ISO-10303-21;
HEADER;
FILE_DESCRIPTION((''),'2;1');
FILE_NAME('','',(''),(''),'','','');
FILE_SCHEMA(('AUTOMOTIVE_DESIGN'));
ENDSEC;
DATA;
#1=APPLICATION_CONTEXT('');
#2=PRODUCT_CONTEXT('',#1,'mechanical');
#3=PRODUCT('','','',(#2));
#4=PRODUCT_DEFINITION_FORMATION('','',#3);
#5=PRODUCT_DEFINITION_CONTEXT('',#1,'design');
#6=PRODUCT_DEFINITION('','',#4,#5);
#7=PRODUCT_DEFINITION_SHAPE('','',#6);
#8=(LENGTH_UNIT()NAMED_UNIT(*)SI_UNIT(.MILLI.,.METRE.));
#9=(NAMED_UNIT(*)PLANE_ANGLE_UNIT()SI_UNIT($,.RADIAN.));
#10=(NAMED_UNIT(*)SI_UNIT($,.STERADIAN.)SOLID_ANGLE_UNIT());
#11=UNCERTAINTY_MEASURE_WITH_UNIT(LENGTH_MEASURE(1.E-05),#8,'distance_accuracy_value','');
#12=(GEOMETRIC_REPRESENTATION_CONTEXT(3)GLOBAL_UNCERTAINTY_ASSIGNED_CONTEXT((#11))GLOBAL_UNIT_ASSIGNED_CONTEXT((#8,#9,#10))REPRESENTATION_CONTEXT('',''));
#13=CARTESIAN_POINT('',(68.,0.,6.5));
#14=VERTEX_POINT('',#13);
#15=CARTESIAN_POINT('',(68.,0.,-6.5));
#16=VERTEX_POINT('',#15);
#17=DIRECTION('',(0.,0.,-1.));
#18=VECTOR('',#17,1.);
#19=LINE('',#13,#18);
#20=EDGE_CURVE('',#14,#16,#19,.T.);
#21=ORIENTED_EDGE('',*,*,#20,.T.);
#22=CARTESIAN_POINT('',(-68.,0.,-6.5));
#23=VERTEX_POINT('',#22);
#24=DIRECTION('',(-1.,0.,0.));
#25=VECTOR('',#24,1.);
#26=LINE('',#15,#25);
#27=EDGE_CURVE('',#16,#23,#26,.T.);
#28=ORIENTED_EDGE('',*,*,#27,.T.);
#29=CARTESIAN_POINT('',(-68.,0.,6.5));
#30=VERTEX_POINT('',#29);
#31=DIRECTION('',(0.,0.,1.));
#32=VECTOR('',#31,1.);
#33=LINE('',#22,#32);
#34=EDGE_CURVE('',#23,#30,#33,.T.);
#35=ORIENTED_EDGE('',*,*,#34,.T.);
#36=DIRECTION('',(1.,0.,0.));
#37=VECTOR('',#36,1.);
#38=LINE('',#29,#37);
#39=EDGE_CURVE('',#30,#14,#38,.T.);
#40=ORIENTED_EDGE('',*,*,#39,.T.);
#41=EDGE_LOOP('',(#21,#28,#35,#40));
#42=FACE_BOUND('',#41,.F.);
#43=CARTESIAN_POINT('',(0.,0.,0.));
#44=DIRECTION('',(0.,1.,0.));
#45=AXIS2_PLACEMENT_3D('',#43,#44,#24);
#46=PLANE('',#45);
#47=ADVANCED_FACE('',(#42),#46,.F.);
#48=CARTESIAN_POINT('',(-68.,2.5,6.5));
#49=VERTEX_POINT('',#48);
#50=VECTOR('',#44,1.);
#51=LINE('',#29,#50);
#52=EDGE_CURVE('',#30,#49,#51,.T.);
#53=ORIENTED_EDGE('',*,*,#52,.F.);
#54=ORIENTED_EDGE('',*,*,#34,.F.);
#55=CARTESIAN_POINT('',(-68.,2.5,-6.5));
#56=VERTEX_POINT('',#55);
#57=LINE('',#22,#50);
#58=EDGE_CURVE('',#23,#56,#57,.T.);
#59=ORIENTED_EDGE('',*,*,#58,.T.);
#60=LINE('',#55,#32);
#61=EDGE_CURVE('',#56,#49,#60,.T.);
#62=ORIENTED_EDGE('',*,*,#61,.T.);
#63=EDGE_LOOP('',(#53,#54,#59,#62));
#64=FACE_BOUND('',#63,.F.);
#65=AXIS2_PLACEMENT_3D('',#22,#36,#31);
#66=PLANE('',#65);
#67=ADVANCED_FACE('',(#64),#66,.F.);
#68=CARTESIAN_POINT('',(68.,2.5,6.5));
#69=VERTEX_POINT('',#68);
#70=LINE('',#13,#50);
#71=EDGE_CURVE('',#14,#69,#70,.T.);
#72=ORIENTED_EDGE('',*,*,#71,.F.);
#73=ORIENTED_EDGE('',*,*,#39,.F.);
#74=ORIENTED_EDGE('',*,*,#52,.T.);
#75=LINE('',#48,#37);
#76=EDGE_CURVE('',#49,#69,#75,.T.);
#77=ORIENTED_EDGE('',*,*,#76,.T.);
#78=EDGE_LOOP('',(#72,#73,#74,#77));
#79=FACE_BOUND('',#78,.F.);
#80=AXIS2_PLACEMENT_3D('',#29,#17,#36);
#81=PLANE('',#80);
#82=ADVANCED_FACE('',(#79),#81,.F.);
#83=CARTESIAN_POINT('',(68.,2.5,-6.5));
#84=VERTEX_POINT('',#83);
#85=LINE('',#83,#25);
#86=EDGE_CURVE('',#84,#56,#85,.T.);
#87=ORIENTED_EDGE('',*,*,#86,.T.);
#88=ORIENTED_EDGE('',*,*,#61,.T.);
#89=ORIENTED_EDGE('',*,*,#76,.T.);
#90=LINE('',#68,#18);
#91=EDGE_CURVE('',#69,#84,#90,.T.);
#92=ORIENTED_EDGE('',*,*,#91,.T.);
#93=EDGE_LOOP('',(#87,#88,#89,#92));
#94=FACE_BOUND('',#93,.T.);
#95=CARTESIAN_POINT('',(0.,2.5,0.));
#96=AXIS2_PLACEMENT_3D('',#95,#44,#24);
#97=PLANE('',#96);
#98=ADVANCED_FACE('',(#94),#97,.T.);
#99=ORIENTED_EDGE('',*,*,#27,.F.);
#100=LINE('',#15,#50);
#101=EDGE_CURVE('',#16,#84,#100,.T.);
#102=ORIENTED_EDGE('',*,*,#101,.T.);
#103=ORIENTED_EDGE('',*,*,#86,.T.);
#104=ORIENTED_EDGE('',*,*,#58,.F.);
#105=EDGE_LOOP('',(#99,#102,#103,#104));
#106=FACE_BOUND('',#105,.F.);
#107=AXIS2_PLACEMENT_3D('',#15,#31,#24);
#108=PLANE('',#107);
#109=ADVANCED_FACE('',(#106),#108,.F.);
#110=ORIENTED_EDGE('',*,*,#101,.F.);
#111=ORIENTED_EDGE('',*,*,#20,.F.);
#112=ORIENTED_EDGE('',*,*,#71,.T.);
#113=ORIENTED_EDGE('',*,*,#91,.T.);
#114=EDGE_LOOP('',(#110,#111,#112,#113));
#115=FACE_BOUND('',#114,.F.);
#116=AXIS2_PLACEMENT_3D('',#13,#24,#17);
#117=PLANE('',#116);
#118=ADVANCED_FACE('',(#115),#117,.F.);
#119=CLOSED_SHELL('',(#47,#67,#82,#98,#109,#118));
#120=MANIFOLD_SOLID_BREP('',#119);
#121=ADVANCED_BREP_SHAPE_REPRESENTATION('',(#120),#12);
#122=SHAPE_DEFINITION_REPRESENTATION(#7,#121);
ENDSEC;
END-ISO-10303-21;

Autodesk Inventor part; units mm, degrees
ref_plane "YZ Plane" through (0, 0, 0) normal (1, 0, 0) x (0, 1, 0)
ref_plane "XZ Plane" through (0, 0, 0) normal (0, 1, 0) x (-1, 0, 0)
ref_plane "XY Plane" through (0, 0, 0) normal (0, 0, 1) x (1, 0, 0)
sketch "スケッチ1" plane through (0, 0, 0) normal (0, 1, 0) x (-1, 0, 0)
  line L0 (-68, -6.5) -> (68, -6.5)
  line L1 (68, -6.5) -> (68, 6.5)
  line L2 (68, 6.5) -> (-68, 6.5)
  line L3 (-68, 6.5) -> (-68, -6.5)
  line L4 (-68, -6.5) -> (68, 6.5) construction
  line L5 (68, -6.5) -> (-68, 6.5) construction
  point P0 (0, 0)
  dimension "d0" = 136
  dimension "d1" = 13
extrude "押し出し1" add sketch "スケッチ1" along normal blind 2.5
properties part number "connector" material "木材 (カエデ材)"
